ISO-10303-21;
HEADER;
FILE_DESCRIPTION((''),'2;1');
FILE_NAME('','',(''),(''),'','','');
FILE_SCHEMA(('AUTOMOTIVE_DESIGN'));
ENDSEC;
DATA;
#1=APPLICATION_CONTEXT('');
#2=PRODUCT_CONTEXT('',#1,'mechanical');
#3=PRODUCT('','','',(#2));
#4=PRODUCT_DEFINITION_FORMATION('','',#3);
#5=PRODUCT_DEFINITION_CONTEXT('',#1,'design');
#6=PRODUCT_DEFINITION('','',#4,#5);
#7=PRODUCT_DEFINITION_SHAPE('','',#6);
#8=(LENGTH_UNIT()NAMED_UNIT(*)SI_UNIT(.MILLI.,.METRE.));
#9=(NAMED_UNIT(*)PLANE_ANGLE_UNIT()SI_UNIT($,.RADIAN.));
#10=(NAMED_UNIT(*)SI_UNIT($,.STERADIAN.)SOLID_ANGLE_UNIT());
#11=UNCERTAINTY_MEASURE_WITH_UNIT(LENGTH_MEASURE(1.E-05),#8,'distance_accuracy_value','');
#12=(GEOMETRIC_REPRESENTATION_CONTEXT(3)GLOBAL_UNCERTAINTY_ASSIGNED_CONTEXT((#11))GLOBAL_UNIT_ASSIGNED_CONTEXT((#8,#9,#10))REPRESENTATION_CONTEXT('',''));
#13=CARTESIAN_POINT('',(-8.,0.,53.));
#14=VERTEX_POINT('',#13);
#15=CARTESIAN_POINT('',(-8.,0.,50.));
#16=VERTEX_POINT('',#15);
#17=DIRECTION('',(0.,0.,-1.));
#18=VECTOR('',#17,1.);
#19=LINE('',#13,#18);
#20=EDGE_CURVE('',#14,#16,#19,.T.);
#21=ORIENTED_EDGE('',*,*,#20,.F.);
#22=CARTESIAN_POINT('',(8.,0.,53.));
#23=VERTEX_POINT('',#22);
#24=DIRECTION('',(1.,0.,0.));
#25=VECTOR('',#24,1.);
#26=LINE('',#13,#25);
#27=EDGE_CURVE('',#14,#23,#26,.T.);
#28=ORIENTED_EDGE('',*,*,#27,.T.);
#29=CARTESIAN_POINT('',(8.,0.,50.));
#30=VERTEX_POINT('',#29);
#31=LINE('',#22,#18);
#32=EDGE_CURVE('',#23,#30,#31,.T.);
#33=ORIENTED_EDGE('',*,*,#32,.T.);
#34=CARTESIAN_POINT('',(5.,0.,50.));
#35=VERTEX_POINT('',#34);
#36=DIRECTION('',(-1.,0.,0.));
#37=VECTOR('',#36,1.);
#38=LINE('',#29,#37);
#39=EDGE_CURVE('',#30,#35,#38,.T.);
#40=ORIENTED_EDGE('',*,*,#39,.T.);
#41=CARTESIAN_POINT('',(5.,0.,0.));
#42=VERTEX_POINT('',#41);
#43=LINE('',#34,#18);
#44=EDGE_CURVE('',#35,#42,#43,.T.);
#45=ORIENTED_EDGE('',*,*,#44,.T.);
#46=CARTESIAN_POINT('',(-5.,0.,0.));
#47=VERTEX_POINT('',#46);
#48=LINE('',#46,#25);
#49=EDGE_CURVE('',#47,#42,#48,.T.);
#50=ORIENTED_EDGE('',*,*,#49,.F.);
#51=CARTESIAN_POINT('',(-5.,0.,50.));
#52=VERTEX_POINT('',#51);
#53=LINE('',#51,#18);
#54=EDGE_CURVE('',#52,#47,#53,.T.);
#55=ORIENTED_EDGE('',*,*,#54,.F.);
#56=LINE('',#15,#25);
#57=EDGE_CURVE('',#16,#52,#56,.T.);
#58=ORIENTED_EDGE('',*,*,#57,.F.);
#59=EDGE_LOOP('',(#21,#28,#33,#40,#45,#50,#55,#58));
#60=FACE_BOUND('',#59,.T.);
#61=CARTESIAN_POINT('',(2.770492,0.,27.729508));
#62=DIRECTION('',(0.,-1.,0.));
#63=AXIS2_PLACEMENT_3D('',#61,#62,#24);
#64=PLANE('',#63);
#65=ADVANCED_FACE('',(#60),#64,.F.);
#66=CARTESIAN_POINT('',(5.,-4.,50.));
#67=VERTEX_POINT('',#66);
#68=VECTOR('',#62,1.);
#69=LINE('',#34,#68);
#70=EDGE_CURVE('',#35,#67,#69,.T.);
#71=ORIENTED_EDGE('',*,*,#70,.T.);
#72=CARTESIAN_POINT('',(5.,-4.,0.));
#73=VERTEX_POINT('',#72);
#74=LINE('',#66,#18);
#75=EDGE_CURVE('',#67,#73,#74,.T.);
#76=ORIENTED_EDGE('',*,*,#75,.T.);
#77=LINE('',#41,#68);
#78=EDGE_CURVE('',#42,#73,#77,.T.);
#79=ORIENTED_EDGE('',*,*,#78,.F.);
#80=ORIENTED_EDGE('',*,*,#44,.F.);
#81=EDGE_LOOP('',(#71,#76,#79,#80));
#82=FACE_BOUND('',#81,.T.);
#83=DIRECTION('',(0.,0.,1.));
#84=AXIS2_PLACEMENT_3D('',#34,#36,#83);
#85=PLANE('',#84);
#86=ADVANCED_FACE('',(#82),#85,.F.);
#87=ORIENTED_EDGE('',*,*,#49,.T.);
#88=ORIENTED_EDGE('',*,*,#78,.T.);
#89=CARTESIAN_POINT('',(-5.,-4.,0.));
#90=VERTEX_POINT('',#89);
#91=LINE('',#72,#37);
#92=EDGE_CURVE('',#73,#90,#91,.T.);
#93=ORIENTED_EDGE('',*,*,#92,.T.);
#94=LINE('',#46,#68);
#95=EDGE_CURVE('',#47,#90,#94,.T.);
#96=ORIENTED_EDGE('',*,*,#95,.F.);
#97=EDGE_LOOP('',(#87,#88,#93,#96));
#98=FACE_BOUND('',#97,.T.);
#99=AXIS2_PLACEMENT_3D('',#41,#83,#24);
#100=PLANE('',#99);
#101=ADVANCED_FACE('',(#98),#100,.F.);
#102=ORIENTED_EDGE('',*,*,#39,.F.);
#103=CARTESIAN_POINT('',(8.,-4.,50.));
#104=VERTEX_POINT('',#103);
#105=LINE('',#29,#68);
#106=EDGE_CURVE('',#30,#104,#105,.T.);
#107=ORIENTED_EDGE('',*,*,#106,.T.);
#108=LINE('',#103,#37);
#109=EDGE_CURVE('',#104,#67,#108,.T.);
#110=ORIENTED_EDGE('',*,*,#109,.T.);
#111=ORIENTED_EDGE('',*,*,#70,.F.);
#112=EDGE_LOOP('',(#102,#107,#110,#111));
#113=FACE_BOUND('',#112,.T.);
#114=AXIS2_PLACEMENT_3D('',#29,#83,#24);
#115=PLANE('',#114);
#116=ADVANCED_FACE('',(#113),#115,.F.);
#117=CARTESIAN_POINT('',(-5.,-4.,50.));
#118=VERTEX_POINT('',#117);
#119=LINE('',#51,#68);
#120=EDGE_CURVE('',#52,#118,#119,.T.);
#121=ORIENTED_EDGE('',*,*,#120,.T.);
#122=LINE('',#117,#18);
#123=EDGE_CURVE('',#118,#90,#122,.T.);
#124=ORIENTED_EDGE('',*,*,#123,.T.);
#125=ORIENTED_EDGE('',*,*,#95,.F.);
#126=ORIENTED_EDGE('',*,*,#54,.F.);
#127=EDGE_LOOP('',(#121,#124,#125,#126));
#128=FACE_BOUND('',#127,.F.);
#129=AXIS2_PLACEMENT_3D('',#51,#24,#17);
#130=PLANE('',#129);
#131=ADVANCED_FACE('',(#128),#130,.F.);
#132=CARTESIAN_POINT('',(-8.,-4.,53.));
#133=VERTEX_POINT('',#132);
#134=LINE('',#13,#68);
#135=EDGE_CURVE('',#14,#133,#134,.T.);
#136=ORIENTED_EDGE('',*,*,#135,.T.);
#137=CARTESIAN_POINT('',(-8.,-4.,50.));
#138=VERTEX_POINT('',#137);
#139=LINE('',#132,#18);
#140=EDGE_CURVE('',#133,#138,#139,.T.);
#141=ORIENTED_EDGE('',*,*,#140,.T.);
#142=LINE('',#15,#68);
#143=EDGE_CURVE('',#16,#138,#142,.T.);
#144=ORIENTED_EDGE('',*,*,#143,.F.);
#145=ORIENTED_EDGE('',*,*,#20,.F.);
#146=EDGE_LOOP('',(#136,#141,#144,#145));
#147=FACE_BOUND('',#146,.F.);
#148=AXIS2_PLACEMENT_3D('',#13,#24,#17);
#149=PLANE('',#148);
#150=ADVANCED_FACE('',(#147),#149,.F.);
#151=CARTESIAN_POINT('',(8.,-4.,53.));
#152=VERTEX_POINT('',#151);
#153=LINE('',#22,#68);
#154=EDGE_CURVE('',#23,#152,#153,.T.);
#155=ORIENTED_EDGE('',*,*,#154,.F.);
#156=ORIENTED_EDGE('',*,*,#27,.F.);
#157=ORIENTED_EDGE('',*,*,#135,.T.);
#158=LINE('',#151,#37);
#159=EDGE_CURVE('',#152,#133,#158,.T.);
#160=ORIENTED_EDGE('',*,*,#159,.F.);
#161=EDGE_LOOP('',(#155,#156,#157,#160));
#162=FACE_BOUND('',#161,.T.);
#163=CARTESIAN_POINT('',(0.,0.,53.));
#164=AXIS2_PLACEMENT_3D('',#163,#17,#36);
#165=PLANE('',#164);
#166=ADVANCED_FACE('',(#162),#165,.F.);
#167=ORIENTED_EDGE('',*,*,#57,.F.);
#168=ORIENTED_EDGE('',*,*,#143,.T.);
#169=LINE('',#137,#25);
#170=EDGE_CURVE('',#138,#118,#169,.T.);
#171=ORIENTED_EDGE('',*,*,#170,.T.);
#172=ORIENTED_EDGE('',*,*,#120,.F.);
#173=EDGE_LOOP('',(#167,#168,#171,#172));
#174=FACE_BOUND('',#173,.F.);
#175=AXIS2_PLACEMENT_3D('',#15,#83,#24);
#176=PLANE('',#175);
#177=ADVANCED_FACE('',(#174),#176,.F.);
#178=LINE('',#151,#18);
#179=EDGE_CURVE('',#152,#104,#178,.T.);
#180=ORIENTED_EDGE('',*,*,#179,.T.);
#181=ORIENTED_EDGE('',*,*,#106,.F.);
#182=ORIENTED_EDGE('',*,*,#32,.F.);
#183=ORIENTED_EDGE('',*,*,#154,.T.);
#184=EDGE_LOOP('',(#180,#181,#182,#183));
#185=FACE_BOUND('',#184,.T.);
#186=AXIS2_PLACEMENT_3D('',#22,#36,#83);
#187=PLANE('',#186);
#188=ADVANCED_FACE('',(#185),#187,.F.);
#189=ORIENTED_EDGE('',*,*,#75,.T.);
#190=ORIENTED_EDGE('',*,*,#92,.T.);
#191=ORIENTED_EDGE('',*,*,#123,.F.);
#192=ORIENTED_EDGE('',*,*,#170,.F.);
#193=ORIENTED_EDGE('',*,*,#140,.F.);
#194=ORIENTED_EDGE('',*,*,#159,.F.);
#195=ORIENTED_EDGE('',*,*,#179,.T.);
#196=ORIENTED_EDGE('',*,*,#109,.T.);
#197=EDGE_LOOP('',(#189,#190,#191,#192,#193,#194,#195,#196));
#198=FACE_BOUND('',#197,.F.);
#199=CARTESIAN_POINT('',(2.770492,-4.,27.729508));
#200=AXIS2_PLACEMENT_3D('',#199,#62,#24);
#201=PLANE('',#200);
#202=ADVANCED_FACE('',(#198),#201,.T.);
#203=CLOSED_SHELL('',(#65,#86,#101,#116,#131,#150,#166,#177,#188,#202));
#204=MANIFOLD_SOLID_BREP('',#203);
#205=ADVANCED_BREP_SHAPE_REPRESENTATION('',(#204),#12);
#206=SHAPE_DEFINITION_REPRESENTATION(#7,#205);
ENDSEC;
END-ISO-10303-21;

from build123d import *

# Parameters (mm, degrees)
F1_DEPTH = 4


with BuildPart() as f1:
    # F0 (on Front) → F1 (new body)
    with BuildSketch(Plane.XZ):
        Polygon((-5, 0), (0, 0), (0, 53), (-8, 53), (-8, 50), (-5, 50), align=None)
    extrude(amount=F1_DEPTH)

    # F2: F1 across face


with BuildPart() as f1_1:
    add(f1.part)
    add(f1.part.mirror(Plane(origin=(0, -2, 26.5), x_dir=(0, 1, 0), z_dir=(1, 0, 0))))


solid = f1_1.part
